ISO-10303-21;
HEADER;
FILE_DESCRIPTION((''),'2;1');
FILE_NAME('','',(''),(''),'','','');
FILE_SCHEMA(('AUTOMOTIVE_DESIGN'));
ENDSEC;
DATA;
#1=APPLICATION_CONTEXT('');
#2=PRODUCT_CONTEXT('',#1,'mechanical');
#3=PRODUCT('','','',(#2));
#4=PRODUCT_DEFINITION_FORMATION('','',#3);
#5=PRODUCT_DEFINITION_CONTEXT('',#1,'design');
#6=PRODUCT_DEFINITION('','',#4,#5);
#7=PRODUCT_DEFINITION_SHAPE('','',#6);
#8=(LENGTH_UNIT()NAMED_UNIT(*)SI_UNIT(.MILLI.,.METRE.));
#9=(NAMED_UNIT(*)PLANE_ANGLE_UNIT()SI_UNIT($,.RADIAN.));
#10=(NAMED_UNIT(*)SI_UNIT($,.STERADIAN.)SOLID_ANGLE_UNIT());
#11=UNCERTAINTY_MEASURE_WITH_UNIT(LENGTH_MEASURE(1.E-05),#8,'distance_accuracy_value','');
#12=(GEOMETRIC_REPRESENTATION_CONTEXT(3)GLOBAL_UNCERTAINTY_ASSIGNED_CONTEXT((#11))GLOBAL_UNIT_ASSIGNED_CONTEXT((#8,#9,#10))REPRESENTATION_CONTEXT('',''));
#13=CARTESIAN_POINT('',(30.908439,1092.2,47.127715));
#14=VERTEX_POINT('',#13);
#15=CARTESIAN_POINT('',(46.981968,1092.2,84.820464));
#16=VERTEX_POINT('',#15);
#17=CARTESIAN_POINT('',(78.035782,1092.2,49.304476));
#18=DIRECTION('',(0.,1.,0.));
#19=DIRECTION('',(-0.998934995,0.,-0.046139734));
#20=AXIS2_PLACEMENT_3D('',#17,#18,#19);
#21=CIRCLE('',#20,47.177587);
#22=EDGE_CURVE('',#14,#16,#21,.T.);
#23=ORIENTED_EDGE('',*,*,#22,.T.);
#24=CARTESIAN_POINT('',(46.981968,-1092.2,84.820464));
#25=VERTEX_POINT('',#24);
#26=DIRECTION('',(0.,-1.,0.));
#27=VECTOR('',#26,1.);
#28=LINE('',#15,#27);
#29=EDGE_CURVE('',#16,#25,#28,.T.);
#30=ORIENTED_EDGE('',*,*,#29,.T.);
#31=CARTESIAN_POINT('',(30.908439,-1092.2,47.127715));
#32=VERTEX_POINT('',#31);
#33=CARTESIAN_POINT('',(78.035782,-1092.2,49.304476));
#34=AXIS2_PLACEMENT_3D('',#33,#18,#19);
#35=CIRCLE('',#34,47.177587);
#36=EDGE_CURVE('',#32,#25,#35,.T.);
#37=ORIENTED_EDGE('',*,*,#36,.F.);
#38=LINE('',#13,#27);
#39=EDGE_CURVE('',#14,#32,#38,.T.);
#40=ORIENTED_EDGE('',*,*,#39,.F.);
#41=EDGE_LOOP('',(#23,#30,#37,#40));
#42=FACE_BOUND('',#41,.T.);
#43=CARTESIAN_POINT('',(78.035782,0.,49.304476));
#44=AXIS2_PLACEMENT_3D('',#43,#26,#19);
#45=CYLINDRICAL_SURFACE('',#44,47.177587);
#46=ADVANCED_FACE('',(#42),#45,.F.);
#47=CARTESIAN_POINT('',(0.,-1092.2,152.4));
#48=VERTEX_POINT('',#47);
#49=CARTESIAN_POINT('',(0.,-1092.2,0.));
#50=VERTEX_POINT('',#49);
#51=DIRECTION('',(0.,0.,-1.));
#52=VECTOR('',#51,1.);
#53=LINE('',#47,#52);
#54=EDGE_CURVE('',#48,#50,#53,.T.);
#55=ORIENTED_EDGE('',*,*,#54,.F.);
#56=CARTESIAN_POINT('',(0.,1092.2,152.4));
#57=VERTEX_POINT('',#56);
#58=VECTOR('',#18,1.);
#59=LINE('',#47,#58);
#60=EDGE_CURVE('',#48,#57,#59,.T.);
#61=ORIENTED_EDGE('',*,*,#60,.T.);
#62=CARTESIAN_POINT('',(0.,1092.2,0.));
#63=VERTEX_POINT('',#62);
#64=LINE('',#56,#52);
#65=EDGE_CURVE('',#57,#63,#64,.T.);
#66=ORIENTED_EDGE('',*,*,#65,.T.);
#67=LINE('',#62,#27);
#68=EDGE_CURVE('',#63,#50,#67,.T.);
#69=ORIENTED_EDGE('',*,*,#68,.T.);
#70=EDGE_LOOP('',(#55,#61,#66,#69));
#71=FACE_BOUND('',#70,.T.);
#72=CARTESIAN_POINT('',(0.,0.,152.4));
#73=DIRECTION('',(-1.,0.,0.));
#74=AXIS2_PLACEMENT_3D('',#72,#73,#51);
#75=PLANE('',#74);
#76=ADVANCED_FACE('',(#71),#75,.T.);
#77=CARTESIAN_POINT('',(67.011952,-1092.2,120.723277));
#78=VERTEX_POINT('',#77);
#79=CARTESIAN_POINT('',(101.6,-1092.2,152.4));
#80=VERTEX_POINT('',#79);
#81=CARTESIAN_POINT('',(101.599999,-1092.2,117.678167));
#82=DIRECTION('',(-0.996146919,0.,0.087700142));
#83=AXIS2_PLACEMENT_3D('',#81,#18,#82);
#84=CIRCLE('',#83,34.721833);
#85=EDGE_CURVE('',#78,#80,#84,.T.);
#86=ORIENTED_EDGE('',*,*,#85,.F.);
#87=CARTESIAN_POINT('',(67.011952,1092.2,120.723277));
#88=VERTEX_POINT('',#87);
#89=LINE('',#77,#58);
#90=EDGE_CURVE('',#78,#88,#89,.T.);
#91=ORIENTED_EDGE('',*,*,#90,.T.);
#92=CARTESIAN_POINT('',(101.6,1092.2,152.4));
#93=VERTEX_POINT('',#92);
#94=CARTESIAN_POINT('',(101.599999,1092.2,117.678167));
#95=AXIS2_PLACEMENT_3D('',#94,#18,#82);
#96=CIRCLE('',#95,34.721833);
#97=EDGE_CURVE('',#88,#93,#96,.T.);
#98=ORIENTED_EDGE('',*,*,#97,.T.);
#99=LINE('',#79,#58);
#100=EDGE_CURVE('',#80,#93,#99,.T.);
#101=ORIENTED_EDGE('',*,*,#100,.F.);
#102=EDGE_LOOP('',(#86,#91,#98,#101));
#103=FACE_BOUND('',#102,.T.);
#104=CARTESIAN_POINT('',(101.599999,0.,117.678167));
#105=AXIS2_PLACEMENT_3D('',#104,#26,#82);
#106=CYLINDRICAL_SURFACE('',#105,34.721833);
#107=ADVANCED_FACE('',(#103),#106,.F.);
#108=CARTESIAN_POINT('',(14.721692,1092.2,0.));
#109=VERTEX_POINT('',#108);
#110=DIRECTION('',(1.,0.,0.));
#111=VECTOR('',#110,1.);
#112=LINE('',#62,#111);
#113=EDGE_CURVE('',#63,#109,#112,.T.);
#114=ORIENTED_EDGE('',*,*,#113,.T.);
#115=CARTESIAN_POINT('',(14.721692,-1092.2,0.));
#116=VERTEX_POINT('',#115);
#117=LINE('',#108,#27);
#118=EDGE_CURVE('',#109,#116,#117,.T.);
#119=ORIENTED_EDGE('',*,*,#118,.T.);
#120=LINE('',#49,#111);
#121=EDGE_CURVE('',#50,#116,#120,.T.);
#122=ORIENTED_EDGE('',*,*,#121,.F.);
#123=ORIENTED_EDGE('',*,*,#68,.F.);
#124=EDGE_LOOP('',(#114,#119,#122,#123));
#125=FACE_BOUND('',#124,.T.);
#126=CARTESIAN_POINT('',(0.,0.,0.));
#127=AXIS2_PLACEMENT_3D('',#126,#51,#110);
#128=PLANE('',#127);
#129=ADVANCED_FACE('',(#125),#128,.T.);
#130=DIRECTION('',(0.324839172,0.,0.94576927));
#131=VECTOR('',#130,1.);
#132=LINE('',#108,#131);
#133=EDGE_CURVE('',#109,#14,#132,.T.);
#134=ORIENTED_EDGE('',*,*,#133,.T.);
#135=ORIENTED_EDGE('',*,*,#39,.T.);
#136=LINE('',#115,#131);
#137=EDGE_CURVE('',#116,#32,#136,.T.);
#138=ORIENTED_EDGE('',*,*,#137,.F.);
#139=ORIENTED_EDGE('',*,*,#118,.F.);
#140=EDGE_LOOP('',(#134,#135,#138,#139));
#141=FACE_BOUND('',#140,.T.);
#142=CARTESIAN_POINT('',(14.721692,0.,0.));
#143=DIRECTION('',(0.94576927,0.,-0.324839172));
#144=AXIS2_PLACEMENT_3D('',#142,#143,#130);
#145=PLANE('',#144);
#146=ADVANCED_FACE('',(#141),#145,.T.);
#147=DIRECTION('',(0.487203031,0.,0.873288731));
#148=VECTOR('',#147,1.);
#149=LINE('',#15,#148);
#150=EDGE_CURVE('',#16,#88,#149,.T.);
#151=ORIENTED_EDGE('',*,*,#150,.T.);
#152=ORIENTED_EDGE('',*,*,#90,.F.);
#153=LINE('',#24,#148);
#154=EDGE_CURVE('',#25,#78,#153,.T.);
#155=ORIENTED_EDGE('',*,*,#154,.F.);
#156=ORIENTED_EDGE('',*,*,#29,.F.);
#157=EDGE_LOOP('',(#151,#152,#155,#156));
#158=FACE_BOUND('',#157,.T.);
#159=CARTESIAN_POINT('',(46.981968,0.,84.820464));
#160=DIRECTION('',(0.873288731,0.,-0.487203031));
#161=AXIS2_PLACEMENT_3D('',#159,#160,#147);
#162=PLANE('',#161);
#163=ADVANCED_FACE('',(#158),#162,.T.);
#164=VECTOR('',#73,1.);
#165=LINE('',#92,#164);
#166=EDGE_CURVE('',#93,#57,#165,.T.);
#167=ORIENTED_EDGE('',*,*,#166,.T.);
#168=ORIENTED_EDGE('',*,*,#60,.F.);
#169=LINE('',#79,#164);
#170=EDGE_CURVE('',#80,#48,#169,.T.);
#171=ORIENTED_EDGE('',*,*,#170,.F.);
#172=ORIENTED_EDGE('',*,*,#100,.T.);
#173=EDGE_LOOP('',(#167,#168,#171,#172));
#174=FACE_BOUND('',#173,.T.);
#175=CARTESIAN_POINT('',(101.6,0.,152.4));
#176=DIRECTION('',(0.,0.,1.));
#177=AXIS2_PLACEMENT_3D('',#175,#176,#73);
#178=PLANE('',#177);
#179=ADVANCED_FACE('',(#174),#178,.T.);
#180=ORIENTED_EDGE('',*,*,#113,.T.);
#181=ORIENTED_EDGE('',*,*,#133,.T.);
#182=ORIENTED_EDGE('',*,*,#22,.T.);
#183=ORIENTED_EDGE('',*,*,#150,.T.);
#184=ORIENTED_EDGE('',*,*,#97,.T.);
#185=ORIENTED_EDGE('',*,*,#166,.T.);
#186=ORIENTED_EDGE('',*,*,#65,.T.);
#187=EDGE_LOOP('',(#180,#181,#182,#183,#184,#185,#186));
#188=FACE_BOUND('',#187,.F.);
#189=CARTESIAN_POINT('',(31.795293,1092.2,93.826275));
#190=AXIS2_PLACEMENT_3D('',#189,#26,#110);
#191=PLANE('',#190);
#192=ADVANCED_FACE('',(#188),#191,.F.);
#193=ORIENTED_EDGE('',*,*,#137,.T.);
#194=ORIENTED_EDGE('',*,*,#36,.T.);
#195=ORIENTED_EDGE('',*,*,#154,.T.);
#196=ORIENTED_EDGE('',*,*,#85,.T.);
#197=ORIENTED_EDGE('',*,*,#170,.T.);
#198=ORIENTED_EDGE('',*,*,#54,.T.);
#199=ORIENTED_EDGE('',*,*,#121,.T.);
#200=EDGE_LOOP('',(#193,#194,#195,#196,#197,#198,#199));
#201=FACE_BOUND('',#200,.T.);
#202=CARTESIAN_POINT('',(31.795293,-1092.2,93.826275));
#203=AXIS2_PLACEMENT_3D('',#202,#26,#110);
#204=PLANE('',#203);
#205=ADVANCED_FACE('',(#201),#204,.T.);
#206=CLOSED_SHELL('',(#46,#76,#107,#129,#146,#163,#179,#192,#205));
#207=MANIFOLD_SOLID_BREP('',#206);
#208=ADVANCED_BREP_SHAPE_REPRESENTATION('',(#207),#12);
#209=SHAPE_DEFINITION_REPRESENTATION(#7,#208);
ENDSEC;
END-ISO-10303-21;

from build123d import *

# Parameters (mm, degrees)
F1_DEPTH = 1092.2


with BuildPart() as f1:
    # F0 (on Front) → F1 (new body, symmetric)
    with BuildSketch(Plane.XZ):
        with BuildLine():
            Line((0, 152.4), (0, 0))
            Line((0, 0), (14.721692, 0))
            Line((14.721692, 0), (30.908439, 47.127715))
            ThreePointArc((30.908439, 47.127715), (34.639248, 67.810302), (46.981968, 84.820464))
            Line((46.981968, 84.820464), (67.011952, 120.723277))
            ThreePointArc((67.011952, 120.723277), (78.149265, 143.284197), (101.6, 152.4))
            Line((101.6, 152.4), (0, 152.4))
        make_face()
    extrude(amount=F1_DEPTH, both=True)


solid = f1.part
